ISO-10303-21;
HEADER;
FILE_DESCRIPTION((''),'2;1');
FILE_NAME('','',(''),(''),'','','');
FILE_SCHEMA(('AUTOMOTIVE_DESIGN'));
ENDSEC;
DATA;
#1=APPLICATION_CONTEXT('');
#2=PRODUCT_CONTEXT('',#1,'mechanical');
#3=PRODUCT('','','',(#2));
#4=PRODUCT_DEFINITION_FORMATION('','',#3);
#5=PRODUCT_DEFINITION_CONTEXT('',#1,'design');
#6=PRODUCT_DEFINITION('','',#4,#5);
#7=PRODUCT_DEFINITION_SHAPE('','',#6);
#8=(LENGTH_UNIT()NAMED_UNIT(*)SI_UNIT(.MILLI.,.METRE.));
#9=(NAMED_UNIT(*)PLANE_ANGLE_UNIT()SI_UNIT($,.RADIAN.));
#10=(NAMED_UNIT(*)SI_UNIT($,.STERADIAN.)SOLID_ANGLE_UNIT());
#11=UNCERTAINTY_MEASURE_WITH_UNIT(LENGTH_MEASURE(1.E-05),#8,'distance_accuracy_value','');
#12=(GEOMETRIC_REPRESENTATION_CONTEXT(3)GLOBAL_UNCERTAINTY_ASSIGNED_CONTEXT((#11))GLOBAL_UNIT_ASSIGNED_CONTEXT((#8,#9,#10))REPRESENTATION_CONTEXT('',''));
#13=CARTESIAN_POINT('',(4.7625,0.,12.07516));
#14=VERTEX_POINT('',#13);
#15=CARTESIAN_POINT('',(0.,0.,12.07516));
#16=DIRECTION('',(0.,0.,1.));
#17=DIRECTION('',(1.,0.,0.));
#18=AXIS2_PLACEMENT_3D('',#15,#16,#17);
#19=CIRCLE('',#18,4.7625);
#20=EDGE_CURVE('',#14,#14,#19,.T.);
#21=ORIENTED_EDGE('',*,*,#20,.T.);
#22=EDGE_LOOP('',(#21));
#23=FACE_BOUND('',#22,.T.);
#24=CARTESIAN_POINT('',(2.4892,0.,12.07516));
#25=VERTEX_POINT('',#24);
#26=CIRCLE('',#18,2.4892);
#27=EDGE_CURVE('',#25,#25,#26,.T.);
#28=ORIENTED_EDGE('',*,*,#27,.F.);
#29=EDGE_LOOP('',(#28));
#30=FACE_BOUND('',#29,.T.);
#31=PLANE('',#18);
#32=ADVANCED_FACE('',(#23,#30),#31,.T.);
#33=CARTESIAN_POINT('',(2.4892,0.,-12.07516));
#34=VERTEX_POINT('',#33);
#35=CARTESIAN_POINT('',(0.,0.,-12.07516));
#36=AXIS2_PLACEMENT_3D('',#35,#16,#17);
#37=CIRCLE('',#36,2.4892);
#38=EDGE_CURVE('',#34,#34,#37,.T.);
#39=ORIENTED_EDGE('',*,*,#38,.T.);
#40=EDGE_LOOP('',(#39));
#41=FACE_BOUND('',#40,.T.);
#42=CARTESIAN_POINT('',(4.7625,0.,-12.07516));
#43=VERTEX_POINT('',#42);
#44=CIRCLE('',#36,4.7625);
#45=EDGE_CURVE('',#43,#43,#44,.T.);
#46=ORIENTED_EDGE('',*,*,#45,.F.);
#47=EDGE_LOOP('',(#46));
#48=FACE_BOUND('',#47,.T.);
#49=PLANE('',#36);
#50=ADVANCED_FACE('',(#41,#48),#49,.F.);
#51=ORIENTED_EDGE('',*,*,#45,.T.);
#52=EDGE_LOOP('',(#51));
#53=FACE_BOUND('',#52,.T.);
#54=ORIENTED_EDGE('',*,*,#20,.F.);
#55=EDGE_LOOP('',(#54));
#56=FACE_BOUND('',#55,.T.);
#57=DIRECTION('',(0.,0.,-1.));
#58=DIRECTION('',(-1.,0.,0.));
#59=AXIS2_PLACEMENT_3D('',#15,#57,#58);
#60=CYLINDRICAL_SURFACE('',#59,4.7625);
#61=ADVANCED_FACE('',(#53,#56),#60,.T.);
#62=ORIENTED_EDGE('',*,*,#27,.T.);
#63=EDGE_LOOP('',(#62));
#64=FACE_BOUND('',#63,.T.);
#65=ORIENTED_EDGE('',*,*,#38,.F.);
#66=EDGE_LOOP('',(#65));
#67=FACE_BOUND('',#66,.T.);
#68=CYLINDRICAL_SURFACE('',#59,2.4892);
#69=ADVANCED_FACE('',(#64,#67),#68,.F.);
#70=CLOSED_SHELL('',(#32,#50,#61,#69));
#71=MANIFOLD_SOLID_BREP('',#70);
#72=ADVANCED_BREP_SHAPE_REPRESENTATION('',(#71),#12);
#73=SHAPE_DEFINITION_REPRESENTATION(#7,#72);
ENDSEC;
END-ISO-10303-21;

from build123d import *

# Parameters (mm, degrees)
SKETCH1_R           = 4.7625
SKETCH1_R_2         = 2.4892
BOSS_EXTRUDE1_DEPTH = 12.07516


with BuildPart() as part:
    # Sketch1 → Boss-Extrude1 (new, symmetric)
    with BuildSketch(Plane.XY):
        Circle(SKETCH1_R)
        Circle(SKETCH1_R_2, mode=Mode.SUBTRACT)
    extrude(amount=BOSS_EXTRUDE1_DEPTH, both=True)


solid = part.part
